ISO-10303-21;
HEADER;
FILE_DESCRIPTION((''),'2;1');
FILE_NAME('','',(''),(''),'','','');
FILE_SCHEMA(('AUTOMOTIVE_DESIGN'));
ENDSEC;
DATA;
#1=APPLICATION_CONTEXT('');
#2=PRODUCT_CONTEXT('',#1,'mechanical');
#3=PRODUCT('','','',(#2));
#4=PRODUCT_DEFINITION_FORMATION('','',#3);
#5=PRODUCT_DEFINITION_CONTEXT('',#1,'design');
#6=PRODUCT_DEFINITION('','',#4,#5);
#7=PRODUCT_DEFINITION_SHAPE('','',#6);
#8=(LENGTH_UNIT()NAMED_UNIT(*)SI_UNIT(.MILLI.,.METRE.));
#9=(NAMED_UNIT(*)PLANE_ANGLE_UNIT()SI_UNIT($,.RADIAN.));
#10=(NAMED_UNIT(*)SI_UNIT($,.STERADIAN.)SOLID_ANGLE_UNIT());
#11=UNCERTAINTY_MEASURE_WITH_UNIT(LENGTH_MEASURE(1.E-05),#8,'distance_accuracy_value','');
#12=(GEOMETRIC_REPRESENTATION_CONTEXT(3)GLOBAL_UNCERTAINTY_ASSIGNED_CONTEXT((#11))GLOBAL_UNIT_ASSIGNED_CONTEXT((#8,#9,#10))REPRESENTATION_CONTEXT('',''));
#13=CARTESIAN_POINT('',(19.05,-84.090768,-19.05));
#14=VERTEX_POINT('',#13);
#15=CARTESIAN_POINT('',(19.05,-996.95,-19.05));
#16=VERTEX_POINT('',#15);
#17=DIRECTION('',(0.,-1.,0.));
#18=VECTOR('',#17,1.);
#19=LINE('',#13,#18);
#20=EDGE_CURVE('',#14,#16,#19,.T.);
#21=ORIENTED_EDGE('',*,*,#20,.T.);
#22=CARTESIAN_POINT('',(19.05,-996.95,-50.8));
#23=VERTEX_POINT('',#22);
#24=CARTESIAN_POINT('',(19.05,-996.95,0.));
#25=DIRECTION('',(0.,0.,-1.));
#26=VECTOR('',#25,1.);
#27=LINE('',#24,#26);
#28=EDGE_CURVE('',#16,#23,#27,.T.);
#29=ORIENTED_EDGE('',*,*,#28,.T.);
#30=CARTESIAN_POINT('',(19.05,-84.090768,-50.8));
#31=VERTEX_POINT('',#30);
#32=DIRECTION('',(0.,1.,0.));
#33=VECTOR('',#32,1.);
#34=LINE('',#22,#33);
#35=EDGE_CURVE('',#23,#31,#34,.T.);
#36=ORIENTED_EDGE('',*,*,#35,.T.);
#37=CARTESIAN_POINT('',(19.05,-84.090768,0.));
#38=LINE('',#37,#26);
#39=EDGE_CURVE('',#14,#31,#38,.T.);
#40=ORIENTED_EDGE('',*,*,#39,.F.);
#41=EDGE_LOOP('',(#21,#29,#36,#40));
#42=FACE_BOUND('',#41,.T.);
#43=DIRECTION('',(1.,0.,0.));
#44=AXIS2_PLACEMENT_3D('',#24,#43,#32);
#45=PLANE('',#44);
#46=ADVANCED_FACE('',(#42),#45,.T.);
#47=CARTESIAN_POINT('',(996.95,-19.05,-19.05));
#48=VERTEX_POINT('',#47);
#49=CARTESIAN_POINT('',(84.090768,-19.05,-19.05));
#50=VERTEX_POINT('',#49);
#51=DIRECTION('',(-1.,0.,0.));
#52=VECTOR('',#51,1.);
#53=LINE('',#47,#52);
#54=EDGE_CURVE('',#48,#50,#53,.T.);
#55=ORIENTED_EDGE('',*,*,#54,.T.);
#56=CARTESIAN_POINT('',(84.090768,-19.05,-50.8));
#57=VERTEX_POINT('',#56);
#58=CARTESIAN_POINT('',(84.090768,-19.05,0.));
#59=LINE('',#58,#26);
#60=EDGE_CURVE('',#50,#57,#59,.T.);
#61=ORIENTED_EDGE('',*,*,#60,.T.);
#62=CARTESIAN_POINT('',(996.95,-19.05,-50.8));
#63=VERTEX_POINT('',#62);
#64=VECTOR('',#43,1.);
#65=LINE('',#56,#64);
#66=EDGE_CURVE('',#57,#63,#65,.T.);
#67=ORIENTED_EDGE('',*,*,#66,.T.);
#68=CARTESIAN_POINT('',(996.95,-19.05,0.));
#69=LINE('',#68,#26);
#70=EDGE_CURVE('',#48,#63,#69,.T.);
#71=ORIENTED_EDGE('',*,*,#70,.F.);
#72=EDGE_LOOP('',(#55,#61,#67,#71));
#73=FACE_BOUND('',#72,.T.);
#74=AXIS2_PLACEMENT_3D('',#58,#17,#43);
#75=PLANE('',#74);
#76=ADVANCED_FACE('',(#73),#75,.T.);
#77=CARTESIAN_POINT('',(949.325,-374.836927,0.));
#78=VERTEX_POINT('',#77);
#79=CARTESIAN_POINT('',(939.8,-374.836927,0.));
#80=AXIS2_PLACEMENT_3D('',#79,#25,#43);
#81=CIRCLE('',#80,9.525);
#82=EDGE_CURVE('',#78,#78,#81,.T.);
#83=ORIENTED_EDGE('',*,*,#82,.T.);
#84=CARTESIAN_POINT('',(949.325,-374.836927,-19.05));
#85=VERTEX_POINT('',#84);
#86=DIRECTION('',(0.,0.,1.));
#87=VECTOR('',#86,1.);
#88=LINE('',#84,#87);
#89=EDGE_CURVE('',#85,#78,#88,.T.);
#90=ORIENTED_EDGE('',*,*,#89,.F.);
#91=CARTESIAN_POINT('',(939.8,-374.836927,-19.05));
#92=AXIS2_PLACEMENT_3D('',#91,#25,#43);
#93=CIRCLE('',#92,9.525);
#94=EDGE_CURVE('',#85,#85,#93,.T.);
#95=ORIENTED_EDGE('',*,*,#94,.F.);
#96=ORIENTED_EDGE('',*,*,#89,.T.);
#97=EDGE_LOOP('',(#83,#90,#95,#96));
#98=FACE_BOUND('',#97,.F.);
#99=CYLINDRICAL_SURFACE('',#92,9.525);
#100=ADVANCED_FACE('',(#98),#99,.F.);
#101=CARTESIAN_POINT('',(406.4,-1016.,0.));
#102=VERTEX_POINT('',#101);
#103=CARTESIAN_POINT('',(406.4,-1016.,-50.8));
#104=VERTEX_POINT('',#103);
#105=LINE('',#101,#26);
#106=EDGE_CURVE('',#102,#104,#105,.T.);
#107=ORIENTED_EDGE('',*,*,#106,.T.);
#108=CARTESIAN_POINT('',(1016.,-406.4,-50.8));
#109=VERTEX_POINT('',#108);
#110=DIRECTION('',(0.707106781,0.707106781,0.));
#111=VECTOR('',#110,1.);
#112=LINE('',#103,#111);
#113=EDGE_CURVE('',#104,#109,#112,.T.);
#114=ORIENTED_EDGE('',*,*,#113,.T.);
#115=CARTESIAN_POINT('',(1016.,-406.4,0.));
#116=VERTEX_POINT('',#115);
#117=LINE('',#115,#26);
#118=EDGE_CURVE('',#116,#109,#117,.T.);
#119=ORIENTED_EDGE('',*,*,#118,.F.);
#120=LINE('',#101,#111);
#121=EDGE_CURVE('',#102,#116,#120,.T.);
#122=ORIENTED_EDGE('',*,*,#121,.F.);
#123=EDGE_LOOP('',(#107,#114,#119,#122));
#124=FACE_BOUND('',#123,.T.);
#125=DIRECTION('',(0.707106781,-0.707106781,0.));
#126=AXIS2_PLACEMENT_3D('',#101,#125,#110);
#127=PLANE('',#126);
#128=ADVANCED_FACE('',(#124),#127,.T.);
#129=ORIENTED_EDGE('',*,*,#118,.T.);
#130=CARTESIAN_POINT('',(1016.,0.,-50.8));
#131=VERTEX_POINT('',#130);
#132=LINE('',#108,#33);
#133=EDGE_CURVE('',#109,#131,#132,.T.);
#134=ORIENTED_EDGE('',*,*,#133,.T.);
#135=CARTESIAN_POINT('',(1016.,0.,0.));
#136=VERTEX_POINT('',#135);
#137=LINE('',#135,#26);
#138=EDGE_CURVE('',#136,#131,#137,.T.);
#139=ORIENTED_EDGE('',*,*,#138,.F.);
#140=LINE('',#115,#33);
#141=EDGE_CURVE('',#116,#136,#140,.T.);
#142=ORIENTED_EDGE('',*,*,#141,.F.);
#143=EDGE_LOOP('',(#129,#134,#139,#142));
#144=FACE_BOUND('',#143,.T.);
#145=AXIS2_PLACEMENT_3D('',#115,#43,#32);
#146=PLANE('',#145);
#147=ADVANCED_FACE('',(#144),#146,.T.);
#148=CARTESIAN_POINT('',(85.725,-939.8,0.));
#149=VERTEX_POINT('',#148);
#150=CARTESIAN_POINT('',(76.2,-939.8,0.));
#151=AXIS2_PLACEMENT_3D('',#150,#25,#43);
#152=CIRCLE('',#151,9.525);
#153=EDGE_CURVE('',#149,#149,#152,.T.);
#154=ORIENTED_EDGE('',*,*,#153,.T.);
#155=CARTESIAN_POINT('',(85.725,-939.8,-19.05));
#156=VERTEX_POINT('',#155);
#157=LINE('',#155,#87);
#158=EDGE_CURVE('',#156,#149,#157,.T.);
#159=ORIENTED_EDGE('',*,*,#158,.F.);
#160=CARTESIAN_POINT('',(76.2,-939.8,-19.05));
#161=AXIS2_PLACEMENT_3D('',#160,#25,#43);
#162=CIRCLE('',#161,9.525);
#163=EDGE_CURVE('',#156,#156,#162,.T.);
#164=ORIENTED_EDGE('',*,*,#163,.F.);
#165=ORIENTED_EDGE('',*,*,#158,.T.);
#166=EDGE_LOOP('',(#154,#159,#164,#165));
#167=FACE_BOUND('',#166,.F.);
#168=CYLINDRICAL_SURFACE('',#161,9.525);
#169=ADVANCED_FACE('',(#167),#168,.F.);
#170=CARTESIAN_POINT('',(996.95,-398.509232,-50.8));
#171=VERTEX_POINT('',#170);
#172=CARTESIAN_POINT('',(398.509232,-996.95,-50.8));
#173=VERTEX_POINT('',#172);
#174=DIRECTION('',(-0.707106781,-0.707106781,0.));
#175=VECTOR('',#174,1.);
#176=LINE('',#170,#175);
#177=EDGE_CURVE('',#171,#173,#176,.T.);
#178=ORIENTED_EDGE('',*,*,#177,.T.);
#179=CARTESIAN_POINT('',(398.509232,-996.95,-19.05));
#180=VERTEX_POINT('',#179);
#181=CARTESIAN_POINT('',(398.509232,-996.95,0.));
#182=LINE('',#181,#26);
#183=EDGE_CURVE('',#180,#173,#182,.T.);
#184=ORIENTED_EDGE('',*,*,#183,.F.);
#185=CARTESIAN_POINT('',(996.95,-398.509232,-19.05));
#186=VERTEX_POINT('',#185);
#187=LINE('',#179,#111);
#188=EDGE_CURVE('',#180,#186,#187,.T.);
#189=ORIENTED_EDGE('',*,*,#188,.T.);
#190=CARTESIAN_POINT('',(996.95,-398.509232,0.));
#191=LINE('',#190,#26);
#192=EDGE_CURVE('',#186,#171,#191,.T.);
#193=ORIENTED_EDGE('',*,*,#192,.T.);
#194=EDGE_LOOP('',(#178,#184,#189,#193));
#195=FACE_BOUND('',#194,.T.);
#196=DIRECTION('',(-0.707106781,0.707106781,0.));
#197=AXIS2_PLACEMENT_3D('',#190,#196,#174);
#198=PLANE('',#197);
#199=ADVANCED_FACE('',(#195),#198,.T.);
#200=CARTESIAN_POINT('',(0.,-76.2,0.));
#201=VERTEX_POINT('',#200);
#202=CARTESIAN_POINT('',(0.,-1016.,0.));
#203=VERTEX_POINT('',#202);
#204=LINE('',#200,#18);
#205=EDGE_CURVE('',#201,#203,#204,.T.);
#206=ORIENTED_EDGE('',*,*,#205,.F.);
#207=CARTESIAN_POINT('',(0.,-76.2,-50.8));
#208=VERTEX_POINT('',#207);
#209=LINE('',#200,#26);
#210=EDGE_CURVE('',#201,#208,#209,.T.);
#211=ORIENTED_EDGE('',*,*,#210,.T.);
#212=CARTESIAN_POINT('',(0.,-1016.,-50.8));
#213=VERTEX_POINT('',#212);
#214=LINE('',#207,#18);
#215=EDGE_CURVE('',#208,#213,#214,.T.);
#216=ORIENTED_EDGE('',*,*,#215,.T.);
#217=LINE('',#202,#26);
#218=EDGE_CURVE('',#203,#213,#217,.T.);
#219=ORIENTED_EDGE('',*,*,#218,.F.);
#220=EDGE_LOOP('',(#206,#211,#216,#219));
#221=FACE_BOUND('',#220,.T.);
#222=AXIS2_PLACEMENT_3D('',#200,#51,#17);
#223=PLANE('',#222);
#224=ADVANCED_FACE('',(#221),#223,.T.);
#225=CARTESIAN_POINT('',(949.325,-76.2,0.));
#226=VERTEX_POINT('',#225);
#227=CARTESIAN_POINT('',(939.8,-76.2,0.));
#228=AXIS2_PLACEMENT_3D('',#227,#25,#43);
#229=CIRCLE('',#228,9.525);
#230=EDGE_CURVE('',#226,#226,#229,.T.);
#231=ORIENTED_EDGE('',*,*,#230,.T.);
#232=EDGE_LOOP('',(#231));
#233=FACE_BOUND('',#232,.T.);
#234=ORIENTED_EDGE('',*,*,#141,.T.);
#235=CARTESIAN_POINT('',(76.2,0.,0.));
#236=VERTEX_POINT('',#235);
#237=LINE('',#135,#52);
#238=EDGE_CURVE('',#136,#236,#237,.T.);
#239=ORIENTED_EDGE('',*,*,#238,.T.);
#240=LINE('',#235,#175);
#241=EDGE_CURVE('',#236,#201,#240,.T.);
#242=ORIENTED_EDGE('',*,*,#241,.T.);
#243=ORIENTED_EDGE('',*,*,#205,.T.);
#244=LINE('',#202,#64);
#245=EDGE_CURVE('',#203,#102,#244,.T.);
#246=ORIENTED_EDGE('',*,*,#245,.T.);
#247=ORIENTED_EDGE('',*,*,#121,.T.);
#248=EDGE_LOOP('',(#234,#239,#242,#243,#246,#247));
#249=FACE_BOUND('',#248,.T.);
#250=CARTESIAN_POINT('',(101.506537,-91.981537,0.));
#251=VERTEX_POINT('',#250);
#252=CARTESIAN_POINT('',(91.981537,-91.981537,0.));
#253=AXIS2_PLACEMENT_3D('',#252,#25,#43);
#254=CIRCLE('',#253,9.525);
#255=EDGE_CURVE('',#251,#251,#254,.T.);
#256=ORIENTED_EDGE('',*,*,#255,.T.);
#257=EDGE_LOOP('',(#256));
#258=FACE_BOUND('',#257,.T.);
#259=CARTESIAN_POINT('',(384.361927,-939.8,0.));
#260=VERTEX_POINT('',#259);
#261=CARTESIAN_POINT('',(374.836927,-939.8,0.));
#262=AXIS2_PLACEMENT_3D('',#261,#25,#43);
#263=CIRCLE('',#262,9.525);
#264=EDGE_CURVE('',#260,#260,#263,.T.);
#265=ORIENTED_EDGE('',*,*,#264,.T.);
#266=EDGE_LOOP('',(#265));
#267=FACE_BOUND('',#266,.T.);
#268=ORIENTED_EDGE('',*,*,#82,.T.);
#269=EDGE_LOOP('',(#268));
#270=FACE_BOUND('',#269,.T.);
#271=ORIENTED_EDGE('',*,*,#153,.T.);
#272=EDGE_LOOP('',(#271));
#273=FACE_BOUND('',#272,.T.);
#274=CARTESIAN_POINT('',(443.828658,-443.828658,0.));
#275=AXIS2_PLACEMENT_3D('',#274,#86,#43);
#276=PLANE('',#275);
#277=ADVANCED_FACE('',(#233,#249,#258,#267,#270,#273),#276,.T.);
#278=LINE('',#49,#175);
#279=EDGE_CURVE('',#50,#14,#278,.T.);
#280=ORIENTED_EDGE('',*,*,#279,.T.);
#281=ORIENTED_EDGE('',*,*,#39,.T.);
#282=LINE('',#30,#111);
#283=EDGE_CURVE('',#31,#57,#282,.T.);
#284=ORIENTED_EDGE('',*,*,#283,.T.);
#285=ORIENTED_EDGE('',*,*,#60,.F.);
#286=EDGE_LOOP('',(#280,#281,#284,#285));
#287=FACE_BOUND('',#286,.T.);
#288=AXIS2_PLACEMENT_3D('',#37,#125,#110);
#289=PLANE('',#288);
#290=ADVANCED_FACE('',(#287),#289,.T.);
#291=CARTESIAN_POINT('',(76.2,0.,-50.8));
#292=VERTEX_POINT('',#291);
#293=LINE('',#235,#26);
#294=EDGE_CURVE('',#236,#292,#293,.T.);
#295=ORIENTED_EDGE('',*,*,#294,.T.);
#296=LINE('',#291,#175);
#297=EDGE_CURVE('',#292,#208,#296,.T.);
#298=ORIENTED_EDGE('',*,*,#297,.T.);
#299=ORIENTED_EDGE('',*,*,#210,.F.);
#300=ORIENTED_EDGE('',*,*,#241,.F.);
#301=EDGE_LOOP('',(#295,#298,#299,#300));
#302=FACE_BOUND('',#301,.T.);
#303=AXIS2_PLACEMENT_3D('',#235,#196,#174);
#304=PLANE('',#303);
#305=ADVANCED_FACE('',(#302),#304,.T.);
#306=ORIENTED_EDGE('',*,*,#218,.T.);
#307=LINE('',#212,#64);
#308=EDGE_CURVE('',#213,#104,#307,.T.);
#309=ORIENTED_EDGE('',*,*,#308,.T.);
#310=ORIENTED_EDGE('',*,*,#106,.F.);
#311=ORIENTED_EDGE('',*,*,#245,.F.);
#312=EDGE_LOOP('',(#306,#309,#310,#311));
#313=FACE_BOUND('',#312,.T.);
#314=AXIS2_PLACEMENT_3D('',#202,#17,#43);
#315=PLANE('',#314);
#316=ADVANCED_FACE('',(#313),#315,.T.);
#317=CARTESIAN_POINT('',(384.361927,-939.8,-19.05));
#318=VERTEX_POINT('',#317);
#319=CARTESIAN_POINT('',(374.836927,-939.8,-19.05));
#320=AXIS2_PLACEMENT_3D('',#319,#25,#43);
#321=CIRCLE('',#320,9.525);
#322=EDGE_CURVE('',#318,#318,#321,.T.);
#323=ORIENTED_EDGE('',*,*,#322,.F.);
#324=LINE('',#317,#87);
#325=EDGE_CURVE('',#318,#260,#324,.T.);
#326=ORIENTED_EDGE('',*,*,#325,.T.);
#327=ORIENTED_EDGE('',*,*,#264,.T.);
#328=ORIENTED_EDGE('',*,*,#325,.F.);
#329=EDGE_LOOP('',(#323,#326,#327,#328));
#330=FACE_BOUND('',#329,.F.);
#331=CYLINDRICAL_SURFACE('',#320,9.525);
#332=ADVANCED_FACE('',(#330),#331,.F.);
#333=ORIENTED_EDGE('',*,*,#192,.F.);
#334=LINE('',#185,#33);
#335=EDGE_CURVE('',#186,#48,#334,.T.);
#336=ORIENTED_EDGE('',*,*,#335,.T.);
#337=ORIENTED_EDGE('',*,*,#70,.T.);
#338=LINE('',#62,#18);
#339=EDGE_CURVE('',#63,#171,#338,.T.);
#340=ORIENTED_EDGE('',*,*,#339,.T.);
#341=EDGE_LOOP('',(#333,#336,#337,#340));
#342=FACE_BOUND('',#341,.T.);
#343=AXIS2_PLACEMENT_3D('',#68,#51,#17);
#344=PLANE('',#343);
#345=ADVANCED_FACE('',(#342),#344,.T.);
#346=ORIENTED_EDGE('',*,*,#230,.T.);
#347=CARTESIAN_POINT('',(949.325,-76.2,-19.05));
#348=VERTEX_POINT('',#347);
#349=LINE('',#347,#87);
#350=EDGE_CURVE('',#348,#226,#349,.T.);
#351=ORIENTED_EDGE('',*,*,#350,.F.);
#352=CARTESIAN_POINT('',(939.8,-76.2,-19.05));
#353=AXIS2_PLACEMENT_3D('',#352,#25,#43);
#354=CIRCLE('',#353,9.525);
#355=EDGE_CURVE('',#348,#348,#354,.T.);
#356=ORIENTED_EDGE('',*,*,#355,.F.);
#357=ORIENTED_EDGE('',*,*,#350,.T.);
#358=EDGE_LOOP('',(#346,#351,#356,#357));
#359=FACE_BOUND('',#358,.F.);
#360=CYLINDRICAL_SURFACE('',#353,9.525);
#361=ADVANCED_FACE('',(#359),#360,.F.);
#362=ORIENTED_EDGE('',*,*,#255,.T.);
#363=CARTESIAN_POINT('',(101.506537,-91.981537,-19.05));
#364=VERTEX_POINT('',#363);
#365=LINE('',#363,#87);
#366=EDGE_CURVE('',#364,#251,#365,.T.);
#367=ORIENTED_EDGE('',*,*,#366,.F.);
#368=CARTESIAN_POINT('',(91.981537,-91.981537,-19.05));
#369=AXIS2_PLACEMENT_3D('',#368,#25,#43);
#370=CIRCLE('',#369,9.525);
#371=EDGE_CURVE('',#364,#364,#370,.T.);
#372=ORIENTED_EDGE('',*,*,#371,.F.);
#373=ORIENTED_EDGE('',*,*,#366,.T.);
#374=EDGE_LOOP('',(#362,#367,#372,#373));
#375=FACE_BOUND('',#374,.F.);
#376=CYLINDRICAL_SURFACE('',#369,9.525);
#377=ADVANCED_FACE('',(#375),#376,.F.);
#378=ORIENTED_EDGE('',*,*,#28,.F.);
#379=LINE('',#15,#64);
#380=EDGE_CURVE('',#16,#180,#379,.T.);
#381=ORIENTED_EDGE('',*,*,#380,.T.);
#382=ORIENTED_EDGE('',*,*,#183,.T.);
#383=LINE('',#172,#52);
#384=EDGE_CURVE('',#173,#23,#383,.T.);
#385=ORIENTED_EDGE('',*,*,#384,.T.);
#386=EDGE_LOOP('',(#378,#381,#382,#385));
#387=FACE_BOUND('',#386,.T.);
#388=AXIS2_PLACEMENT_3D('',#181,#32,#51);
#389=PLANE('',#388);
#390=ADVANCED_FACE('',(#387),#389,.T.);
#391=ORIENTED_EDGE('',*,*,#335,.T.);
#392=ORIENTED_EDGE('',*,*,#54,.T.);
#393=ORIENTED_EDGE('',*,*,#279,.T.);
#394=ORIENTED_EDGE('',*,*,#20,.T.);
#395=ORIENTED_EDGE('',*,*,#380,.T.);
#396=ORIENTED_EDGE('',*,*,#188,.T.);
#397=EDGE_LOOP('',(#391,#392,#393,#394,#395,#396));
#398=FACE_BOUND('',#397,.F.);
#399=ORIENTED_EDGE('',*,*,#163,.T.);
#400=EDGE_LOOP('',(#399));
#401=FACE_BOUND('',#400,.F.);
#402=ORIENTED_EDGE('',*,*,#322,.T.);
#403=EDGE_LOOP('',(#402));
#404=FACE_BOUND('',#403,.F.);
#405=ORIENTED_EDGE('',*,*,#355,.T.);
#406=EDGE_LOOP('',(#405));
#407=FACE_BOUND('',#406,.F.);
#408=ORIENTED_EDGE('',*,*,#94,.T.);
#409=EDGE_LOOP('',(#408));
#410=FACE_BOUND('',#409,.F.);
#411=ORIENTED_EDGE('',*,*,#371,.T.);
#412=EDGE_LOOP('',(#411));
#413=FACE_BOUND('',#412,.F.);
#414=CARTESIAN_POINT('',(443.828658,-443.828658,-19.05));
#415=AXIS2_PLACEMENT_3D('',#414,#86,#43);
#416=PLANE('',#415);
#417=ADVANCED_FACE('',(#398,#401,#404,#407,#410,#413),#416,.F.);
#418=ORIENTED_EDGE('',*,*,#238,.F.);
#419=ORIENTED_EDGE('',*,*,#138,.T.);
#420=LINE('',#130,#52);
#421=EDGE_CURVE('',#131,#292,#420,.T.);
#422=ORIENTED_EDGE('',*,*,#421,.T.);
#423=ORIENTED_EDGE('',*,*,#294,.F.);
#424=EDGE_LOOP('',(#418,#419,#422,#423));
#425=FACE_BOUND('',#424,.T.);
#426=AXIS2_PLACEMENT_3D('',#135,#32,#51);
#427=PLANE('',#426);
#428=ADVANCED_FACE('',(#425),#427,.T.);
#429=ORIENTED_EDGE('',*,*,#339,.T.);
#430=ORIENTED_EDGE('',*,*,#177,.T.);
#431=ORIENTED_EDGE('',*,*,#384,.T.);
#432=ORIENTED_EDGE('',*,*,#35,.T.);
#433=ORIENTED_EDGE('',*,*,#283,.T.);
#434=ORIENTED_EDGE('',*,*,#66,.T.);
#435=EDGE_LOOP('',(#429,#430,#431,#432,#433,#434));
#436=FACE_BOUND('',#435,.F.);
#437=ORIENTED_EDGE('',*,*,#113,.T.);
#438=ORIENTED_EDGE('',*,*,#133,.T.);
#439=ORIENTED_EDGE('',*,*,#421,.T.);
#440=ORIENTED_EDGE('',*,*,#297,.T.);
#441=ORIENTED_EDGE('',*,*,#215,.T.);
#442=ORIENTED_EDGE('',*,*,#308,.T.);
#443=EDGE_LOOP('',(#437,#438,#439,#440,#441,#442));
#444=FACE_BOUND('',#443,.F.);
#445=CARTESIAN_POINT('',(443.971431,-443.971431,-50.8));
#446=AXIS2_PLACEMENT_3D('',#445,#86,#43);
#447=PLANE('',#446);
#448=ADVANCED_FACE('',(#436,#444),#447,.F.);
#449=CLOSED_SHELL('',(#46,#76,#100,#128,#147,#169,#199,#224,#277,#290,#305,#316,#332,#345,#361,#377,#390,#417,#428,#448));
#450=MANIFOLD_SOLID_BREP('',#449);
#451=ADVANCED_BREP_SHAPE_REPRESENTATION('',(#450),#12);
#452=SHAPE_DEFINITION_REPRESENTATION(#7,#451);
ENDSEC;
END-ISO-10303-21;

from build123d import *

# Parameters (mm, degrees)
F1_DEPTH = 50.8
F2_DEPTH = 19.05
F3_R     = 9.525
F4_DEPTH = 19.05


with BuildPart() as f1:
    # F0 (on Top) → F1 (new body)
    with BuildSketch(Plane.XY):
        Polygon((0, -76.2), (0, -1016), (406.4, -1016), (1016, -406.4), (1016, 0), (76.2, 0), align=None)
        Polygon((398.509232, -996.95), (19.05, -996.95), (19.05, -84.090768), (84.090768, -19.05), (996.95, -19.05), (996.95, -398.509232), align=None, mode=Mode.SUBTRACT)
    extrude(amount=-F1_DEPTH)

    # F0 (on Top) → F2 (join)
    with BuildSketch(Plane.XY):
        Polygon((19.05, -84.090768), (19.05, -996.95), (398.509232, -996.95), (996.95, -398.509232), (996.95, -19.05), (84.090768, -19.05), align=None)
    extrude(amount=-F2_DEPTH)

    # F3 (on face) → F4 (cut, through all)
    with BuildSketch(Plane(origin=(0, 0, -19.05), x_dir=(1, 0, 0), z_dir=(0, 0, -1))):
        with Locations((76.2, 939.8)):
            Circle(F3_R)
        with Locations((91.981537, 91.981537)):
            Circle(F3_R)
        with Locations((374.836927, 939.8)):
            Circle(F3_R)
        with Locations((939.8, 374.836927)):
            Circle(F3_R)
        with Locations((939.8, 76.2)):
            Circle(F3_R)
    extrude(amount=-F4_DEPTH, mode=Mode.SUBTRACT)


solid = f1.part
